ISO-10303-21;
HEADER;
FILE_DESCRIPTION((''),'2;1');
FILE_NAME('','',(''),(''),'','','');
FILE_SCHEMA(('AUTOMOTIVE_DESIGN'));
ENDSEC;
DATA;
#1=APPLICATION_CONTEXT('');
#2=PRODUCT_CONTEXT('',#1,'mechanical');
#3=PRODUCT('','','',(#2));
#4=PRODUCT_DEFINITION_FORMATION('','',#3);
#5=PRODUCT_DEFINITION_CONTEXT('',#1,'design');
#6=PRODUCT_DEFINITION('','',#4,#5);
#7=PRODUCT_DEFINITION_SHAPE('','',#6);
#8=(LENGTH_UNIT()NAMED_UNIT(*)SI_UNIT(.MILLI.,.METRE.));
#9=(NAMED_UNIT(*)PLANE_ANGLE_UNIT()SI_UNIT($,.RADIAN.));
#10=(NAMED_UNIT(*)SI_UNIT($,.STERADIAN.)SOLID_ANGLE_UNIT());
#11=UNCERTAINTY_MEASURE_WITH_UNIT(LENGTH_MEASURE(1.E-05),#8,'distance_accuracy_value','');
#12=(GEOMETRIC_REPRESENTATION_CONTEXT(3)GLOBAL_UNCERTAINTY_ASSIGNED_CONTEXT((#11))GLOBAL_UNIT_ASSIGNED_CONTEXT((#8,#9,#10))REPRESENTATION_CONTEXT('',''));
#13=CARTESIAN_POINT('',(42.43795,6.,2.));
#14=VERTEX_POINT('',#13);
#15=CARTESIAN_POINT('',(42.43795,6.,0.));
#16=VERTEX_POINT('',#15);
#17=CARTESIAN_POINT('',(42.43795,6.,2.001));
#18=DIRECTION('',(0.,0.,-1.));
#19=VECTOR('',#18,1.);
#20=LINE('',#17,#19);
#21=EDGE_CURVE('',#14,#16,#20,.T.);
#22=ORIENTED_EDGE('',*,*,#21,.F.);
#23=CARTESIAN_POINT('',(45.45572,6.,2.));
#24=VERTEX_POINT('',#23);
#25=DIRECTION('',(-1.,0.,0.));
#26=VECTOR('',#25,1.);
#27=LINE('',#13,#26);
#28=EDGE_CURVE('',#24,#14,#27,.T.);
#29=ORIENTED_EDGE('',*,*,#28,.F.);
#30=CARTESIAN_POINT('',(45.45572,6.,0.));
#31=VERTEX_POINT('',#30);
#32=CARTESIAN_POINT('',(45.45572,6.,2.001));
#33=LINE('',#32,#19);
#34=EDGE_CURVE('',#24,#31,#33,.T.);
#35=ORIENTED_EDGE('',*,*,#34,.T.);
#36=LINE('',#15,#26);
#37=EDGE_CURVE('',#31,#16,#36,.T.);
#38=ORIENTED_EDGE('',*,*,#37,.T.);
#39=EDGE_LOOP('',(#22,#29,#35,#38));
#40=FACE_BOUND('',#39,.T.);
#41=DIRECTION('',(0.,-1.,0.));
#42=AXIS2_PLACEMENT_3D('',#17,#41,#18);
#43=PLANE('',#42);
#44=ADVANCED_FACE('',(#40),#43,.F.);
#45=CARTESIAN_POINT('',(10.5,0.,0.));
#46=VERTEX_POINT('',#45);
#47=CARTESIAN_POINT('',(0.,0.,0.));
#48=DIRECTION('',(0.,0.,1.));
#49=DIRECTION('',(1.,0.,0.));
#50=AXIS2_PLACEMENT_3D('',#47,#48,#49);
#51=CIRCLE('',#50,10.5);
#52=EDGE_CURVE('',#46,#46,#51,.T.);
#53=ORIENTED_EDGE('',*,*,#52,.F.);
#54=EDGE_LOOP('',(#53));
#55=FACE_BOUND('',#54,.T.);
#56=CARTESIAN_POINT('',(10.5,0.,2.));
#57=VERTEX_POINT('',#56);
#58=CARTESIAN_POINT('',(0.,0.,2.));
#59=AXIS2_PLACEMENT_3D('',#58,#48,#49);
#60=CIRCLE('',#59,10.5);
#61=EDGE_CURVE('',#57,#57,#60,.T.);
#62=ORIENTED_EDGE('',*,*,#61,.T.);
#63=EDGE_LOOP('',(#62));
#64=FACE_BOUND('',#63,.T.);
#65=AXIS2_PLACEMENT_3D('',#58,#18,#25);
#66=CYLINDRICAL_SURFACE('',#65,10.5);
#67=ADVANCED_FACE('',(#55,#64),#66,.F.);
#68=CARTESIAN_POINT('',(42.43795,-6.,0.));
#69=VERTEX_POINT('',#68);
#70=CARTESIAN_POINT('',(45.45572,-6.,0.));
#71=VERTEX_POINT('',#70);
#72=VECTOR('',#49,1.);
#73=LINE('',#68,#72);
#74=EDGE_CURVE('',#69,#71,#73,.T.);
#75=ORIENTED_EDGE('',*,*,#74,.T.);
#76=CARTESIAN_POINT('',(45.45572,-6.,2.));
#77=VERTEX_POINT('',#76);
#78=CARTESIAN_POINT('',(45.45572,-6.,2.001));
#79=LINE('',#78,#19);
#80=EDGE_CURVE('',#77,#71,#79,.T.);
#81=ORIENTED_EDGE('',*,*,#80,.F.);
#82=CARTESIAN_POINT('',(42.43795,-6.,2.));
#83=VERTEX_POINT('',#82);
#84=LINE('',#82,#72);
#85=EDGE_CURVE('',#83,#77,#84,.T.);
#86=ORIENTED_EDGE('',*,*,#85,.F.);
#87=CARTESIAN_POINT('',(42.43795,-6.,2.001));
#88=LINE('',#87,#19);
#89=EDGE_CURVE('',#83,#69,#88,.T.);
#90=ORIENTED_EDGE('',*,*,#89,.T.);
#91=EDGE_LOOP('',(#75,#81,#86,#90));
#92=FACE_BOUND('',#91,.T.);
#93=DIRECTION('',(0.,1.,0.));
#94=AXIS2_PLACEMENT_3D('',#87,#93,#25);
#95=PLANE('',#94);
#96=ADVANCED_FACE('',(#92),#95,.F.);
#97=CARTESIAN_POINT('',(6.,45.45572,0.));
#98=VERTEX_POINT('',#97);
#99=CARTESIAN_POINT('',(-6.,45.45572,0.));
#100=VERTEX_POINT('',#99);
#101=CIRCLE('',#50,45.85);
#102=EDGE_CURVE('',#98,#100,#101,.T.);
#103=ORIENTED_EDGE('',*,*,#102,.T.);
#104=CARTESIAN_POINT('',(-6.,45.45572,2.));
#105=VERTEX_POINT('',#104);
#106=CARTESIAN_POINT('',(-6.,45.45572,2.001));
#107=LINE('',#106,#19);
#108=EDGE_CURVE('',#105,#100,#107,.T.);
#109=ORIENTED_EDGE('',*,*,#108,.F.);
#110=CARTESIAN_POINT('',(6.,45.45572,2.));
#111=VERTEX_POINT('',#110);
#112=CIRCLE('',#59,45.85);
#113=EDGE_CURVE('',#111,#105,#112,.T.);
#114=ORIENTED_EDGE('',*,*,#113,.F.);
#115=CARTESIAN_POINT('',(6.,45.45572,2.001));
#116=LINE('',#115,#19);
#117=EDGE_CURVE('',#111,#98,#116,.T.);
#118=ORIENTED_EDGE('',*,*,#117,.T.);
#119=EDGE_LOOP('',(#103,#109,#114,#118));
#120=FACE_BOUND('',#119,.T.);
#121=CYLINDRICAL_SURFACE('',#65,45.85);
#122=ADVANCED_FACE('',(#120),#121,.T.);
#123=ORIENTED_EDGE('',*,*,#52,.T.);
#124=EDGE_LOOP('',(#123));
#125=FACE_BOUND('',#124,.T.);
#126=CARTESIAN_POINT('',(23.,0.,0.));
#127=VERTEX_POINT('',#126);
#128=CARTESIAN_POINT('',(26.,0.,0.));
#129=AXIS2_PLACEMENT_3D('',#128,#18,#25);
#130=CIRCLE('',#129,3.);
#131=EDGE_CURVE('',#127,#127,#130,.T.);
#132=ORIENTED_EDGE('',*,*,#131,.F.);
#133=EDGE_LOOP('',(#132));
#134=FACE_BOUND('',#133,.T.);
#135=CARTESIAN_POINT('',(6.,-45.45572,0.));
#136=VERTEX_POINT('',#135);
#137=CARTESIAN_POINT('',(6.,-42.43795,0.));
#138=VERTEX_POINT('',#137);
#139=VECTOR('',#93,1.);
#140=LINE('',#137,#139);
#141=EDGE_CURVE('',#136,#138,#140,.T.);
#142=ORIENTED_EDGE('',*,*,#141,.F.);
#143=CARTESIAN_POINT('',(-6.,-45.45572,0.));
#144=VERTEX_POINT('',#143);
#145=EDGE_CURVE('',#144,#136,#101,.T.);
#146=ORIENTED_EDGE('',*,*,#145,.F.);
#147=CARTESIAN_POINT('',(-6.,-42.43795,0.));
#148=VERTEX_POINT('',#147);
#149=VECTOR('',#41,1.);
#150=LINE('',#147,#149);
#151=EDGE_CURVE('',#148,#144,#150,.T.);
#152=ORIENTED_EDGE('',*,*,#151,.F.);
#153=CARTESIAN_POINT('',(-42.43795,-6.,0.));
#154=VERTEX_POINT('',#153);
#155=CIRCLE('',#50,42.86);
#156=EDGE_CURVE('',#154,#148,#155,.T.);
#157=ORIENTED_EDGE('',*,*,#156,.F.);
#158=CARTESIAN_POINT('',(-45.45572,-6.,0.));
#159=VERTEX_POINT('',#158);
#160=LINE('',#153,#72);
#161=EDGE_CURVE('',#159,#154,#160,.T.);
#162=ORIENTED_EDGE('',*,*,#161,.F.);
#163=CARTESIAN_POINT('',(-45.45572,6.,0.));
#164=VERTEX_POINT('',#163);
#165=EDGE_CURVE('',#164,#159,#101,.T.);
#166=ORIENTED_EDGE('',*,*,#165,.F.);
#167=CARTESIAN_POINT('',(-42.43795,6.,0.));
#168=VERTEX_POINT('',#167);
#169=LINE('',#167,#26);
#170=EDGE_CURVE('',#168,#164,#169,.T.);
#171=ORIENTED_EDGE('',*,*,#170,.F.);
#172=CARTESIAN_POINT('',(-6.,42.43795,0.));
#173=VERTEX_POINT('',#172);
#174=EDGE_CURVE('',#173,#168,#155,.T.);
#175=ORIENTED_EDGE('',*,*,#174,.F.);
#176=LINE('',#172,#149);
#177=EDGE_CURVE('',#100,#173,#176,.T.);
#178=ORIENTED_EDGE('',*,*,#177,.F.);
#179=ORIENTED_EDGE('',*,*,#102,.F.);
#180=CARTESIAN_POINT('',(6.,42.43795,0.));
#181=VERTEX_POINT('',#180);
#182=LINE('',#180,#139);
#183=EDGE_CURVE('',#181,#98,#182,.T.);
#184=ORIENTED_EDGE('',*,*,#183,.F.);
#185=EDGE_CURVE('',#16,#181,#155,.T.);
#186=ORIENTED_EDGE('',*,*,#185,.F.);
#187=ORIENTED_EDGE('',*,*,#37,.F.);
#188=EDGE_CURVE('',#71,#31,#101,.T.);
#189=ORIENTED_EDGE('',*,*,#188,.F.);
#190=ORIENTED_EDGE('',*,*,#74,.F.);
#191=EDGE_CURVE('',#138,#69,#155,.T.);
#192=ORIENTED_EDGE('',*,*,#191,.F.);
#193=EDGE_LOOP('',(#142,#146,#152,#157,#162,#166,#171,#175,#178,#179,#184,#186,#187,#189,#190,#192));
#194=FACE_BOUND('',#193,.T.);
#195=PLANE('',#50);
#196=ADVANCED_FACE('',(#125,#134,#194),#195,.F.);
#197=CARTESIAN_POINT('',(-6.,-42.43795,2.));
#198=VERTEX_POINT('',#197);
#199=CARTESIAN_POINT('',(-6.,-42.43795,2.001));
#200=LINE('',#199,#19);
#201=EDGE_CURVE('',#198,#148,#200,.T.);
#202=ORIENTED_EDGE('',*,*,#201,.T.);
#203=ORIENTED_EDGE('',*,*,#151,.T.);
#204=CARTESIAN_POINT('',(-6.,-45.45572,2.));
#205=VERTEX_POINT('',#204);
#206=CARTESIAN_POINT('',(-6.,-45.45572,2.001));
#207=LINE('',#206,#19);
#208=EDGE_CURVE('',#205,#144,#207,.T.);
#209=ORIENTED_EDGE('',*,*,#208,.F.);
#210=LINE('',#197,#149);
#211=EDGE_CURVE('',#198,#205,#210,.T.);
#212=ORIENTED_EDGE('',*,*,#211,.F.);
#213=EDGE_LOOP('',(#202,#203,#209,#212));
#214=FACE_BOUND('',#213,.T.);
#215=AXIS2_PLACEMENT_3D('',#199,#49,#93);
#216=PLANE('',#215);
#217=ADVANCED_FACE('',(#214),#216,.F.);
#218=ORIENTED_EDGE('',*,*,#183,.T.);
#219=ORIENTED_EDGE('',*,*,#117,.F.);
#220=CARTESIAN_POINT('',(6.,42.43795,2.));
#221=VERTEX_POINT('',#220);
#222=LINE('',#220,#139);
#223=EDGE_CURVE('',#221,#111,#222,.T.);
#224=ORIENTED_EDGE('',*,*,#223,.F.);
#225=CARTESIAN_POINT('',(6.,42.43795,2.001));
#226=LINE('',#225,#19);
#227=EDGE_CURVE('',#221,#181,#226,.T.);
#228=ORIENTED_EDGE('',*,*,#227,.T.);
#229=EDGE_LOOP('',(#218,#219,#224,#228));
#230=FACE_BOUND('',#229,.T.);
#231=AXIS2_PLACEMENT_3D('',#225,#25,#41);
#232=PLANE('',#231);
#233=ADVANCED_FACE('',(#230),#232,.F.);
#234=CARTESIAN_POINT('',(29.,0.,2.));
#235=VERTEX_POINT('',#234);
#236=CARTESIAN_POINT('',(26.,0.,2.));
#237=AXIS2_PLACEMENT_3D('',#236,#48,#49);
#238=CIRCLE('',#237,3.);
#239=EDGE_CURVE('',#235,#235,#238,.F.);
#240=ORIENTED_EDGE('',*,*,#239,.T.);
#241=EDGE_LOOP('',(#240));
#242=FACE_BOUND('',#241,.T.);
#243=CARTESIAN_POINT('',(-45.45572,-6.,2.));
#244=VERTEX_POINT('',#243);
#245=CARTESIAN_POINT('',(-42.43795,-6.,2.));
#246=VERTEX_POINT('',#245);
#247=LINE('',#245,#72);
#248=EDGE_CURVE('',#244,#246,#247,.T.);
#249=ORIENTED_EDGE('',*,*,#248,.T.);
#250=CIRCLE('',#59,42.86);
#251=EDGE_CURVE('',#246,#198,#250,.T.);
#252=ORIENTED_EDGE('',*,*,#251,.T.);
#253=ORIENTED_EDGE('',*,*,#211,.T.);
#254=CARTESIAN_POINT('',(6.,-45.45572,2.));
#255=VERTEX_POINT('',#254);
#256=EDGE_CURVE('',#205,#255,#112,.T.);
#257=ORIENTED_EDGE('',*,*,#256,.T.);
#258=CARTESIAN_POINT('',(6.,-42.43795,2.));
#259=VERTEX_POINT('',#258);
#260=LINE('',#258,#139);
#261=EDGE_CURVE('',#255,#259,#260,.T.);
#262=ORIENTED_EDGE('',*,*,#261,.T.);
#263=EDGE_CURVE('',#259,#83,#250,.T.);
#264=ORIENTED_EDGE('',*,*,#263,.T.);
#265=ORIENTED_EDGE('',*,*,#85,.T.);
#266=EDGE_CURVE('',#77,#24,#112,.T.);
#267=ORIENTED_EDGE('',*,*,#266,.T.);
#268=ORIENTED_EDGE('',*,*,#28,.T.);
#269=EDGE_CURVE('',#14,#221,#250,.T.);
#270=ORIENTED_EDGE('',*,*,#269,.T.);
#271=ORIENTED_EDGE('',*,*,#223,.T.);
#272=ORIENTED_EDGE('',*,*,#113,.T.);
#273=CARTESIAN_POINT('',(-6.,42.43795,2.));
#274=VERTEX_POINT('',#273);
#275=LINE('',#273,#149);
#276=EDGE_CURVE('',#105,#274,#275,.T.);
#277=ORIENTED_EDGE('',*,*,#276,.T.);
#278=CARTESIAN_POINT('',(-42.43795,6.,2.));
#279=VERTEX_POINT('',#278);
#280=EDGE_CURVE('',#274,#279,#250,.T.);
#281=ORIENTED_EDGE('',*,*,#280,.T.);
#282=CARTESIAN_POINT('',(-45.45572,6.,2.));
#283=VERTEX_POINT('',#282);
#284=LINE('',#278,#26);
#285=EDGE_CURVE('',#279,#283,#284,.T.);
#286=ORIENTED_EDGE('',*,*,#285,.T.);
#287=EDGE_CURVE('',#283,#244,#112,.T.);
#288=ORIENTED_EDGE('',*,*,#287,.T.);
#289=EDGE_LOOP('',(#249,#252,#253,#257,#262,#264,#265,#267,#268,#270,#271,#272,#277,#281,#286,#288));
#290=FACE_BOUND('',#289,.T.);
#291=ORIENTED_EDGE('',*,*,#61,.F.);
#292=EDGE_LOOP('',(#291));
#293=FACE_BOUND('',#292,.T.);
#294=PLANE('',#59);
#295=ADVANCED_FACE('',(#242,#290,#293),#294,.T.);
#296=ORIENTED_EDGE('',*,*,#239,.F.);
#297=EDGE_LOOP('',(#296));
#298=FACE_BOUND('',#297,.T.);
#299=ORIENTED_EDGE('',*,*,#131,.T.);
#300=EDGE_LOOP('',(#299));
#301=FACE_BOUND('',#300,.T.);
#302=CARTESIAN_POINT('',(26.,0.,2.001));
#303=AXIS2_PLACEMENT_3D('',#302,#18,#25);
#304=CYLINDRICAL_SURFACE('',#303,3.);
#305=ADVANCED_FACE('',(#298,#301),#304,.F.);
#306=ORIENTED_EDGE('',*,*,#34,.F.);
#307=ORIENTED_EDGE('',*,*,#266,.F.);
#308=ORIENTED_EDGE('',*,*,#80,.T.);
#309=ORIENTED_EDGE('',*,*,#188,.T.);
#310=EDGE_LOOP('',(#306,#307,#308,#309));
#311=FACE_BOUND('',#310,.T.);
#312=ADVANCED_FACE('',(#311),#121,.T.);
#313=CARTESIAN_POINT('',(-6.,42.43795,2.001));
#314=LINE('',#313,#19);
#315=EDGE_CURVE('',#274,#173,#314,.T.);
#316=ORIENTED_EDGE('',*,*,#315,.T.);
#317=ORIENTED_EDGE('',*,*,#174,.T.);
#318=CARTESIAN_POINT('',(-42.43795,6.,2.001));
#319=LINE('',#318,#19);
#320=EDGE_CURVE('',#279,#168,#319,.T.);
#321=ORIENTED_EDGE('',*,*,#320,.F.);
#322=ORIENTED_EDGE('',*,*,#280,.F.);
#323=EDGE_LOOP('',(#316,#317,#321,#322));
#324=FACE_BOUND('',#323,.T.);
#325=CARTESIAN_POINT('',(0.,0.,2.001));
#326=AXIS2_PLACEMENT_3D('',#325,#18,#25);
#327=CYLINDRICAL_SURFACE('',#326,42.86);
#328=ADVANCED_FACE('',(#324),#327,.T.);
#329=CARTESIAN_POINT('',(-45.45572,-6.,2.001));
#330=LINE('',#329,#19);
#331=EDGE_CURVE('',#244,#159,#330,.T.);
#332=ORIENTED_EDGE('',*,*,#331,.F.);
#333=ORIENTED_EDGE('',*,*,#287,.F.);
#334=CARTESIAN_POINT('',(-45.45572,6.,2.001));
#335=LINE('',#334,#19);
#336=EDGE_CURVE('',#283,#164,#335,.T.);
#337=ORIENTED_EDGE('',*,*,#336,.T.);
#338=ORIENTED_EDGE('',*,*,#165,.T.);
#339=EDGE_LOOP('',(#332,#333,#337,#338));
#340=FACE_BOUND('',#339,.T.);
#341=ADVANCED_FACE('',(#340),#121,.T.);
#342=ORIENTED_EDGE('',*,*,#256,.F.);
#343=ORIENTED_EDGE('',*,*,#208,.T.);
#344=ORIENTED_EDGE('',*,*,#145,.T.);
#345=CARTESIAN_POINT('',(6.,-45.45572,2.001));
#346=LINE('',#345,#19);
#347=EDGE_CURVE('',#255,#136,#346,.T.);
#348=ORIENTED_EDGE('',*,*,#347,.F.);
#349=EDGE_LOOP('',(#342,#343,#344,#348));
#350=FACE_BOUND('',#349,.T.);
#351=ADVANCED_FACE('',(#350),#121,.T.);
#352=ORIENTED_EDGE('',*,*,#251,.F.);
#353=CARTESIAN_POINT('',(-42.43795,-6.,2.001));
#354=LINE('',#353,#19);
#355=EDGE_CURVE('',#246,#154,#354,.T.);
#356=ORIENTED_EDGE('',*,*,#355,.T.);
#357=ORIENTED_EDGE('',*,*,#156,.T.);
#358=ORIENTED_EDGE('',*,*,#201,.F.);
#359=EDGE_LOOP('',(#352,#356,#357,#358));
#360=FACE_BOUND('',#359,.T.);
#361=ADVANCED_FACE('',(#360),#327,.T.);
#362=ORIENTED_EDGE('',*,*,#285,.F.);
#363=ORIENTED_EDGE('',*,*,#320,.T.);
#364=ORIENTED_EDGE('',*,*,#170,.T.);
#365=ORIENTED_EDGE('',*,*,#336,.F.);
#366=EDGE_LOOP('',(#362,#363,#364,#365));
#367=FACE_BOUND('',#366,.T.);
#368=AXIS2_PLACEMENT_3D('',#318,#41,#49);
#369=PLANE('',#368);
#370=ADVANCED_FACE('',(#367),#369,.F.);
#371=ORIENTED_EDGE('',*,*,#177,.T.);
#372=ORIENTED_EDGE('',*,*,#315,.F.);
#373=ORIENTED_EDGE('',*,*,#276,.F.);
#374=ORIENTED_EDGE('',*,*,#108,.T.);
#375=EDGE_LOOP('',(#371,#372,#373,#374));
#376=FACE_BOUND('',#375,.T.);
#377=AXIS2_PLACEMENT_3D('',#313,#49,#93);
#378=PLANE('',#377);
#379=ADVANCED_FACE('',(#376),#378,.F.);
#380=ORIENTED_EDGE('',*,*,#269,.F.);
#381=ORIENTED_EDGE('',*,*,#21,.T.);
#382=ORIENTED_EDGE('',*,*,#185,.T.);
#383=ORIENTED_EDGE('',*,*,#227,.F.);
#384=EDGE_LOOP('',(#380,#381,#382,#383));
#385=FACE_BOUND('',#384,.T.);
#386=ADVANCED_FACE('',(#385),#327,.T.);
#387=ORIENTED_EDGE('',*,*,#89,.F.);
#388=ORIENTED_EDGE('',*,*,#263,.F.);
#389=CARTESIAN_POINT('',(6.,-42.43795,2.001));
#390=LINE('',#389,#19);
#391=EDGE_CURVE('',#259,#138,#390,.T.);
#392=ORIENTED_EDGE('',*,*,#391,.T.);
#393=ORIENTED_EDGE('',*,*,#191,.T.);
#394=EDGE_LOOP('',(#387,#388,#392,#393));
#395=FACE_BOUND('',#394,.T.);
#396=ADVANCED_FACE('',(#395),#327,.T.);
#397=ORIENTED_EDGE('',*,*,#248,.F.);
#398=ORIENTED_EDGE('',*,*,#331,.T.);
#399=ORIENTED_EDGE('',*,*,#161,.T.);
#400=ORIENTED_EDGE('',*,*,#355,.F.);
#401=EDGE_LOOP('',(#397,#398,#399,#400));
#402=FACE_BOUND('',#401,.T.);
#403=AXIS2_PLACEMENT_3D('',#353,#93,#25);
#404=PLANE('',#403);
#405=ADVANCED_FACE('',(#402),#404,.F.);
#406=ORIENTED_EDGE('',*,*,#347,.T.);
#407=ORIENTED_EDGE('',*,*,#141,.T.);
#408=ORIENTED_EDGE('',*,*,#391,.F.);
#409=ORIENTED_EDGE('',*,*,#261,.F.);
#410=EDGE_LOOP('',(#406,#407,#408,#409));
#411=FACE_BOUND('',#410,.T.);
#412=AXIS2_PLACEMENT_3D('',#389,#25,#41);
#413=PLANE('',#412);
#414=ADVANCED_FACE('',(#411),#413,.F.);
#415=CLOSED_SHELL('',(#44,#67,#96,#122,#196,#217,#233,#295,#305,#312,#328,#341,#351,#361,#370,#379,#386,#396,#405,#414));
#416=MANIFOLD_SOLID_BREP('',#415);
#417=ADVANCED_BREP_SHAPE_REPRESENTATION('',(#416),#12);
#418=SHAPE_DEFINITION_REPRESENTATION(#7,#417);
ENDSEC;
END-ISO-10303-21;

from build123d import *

# Parameters (mm, degrees)
SKETCH1_R           = 45.85
SKETCH1_R_2         = 10.5
BOSS_EXTRUDE1_DEPTH = 2
CUT_EXTRUDE1_REACH  = 4
SKETCH2_R           = 3
CUT_EXTRUDE2_REACH  = 4


with BuildPart() as part:
    # Sketch1 → Boss-Extrude1 (new body)
    with BuildSketch(Plane.XY):
        Circle(SKETCH1_R)
        Circle(SKETCH1_R_2, mode=Mode.SUBTRACT)
    extrude(amount=BOSS_EXTRUDE1_DEPTH)

    # Sketch2 → Cut-Extrude1 (cut, up to next)
    with BuildSketch(Plane(origin=(0, 0, 0), x_dir=(-1, 0, 0), z_dir=(0, 0, -1)), mode=Mode.PRIVATE) as cut_extrude1_sk1:
        with Locations((-26, 0)):
            Circle(SKETCH2_R)
    cut_extrude1_tool1 = extrude(cut_extrude1_sk1.sketch, amount=-CUT_EXTRUDE1_REACH, mode=Mode.PRIVATE) & part.part
    add(cut_extrude1_tool1.solids().sort_by_distance((26, 0, 0))[0], mode=Mode.SUBTRACT)

    # Sketch3 → Cut-Extrude2 (cut, up to next)
    with BuildSketch(Plane(origin=(0, 0, 0), x_dir=(-1, 0, 0), z_dir=(0, 0, -1)), mode=Mode.PRIVATE) as cut_extrude2_sk1:
        with BuildLine():
            Line((-6, 42.437949998), (-6, 45.455720212))
            ThreePointArc((-6, 45.455720212), (-32.420845917, 32.420845917), (-45.455720212, 6))
            Line((-45.455720212, 6), (-42.437949998, 6))
            ThreePointArc((-42.437949998, 6), (-30.306596642, 30.306596642), (-6, 42.437949998))
        make_face()
    cut_extrude2_tool1 = extrude(cut_extrude2_sk1.sketch, amount=-CUT_EXTRUDE2_REACH, mode=Mode.PRIVATE) & part.part
    add(cut_extrude2_tool1.solids().sort_by_distance((6.557988, 43.946835, 0))[0], mode=Mode.SUBTRACT)
    # Sketch3 → Cut-Extrude2 (cut, up to next)
    with BuildSketch(Plane(origin=(0, 0, 0), x_dir=(-1, 0, 0), z_dir=(0, 0, -1)), mode=Mode.PRIVATE) as cut_extrude2_sk2:
        with BuildLine():
            Line((42.437949998, 6), (45.455720212, 6))
            ThreePointArc((45.455720212, 6), (32.420845917, 32.420845917), (6, 45.455720212))
            Line((6, 45.455720212), (6, 42.437949998))
            ThreePointArc((6, 42.437949998), (30.306596642, 30.306596642), (42.437949998, 6))
        make_face()
    cut_extrude2_tool2 = extrude(cut_extrude2_sk2.sketch, amount=-CUT_EXTRUDE2_REACH, mode=Mode.PRIVATE) & part.part
    add(cut_extrude2_tool2.solids().sort_by_distance((-43.946835, 6.557988, 0))[0], mode=Mode.SUBTRACT)
    # Sketch3 → Cut-Extrude2 (cut, up to next)
    with BuildSketch(Plane(origin=(0, 0, 0), x_dir=(-1, 0, 0), z_dir=(0, 0, -1)), mode=Mode.PRIVATE) as cut_extrude2_sk3:
        with BuildLine():
            Line((6, -42.437949998), (6, -45.455720212))
            ThreePointArc((6, -45.455720212), (32.420845917, -32.420845917), (45.455720212, -6))
            Line((45.455720212, -6), (42.437949998, -6))
            ThreePointArc((42.437949998, -6), (30.306596642, -30.306596642), (6, -42.437949998))
        make_face()
    cut_extrude2_tool3 = extrude(cut_extrude2_sk3.sketch, amount=-CUT_EXTRUDE2_REACH, mode=Mode.PRIVATE) & part.part
    add(cut_extrude2_tool3.solids().sort_by_distance((-32.026289, -32.026289, 0))[0], mode=Mode.SUBTRACT)
    # Sketch3 → Cut-Extrude2 (cut, up to next)
    with BuildSketch(Plane(origin=(0, 0, 0), x_dir=(-1, 0, 0), z_dir=(0, 0, -1)), mode=Mode.PRIVATE) as cut_extrude2_sk4:
        with BuildLine():
            Line((-42.437949998, -6), (-45.455720212, -6))
            ThreePointArc((-45.455720212, -6), (-32.420845917, -32.420845917), (-6, -45.455720212))
            Line((-6, -45.455720212), (-6, -42.437949998))
            ThreePointArc((-6, -42.437949998), (-30.306596642, -30.306596642), (-42.437949998, -6))
        make_face()
    cut_extrude2_tool4 = extrude(cut_extrude2_sk4.sketch, amount=-CUT_EXTRUDE2_REACH, mode=Mode.PRIVATE) & part.part
    add(cut_extrude2_tool4.solids().sort_by_distance((6.557988, -43.946835, 0))[0], mode=Mode.SUBTRACT)


solid = part.part
